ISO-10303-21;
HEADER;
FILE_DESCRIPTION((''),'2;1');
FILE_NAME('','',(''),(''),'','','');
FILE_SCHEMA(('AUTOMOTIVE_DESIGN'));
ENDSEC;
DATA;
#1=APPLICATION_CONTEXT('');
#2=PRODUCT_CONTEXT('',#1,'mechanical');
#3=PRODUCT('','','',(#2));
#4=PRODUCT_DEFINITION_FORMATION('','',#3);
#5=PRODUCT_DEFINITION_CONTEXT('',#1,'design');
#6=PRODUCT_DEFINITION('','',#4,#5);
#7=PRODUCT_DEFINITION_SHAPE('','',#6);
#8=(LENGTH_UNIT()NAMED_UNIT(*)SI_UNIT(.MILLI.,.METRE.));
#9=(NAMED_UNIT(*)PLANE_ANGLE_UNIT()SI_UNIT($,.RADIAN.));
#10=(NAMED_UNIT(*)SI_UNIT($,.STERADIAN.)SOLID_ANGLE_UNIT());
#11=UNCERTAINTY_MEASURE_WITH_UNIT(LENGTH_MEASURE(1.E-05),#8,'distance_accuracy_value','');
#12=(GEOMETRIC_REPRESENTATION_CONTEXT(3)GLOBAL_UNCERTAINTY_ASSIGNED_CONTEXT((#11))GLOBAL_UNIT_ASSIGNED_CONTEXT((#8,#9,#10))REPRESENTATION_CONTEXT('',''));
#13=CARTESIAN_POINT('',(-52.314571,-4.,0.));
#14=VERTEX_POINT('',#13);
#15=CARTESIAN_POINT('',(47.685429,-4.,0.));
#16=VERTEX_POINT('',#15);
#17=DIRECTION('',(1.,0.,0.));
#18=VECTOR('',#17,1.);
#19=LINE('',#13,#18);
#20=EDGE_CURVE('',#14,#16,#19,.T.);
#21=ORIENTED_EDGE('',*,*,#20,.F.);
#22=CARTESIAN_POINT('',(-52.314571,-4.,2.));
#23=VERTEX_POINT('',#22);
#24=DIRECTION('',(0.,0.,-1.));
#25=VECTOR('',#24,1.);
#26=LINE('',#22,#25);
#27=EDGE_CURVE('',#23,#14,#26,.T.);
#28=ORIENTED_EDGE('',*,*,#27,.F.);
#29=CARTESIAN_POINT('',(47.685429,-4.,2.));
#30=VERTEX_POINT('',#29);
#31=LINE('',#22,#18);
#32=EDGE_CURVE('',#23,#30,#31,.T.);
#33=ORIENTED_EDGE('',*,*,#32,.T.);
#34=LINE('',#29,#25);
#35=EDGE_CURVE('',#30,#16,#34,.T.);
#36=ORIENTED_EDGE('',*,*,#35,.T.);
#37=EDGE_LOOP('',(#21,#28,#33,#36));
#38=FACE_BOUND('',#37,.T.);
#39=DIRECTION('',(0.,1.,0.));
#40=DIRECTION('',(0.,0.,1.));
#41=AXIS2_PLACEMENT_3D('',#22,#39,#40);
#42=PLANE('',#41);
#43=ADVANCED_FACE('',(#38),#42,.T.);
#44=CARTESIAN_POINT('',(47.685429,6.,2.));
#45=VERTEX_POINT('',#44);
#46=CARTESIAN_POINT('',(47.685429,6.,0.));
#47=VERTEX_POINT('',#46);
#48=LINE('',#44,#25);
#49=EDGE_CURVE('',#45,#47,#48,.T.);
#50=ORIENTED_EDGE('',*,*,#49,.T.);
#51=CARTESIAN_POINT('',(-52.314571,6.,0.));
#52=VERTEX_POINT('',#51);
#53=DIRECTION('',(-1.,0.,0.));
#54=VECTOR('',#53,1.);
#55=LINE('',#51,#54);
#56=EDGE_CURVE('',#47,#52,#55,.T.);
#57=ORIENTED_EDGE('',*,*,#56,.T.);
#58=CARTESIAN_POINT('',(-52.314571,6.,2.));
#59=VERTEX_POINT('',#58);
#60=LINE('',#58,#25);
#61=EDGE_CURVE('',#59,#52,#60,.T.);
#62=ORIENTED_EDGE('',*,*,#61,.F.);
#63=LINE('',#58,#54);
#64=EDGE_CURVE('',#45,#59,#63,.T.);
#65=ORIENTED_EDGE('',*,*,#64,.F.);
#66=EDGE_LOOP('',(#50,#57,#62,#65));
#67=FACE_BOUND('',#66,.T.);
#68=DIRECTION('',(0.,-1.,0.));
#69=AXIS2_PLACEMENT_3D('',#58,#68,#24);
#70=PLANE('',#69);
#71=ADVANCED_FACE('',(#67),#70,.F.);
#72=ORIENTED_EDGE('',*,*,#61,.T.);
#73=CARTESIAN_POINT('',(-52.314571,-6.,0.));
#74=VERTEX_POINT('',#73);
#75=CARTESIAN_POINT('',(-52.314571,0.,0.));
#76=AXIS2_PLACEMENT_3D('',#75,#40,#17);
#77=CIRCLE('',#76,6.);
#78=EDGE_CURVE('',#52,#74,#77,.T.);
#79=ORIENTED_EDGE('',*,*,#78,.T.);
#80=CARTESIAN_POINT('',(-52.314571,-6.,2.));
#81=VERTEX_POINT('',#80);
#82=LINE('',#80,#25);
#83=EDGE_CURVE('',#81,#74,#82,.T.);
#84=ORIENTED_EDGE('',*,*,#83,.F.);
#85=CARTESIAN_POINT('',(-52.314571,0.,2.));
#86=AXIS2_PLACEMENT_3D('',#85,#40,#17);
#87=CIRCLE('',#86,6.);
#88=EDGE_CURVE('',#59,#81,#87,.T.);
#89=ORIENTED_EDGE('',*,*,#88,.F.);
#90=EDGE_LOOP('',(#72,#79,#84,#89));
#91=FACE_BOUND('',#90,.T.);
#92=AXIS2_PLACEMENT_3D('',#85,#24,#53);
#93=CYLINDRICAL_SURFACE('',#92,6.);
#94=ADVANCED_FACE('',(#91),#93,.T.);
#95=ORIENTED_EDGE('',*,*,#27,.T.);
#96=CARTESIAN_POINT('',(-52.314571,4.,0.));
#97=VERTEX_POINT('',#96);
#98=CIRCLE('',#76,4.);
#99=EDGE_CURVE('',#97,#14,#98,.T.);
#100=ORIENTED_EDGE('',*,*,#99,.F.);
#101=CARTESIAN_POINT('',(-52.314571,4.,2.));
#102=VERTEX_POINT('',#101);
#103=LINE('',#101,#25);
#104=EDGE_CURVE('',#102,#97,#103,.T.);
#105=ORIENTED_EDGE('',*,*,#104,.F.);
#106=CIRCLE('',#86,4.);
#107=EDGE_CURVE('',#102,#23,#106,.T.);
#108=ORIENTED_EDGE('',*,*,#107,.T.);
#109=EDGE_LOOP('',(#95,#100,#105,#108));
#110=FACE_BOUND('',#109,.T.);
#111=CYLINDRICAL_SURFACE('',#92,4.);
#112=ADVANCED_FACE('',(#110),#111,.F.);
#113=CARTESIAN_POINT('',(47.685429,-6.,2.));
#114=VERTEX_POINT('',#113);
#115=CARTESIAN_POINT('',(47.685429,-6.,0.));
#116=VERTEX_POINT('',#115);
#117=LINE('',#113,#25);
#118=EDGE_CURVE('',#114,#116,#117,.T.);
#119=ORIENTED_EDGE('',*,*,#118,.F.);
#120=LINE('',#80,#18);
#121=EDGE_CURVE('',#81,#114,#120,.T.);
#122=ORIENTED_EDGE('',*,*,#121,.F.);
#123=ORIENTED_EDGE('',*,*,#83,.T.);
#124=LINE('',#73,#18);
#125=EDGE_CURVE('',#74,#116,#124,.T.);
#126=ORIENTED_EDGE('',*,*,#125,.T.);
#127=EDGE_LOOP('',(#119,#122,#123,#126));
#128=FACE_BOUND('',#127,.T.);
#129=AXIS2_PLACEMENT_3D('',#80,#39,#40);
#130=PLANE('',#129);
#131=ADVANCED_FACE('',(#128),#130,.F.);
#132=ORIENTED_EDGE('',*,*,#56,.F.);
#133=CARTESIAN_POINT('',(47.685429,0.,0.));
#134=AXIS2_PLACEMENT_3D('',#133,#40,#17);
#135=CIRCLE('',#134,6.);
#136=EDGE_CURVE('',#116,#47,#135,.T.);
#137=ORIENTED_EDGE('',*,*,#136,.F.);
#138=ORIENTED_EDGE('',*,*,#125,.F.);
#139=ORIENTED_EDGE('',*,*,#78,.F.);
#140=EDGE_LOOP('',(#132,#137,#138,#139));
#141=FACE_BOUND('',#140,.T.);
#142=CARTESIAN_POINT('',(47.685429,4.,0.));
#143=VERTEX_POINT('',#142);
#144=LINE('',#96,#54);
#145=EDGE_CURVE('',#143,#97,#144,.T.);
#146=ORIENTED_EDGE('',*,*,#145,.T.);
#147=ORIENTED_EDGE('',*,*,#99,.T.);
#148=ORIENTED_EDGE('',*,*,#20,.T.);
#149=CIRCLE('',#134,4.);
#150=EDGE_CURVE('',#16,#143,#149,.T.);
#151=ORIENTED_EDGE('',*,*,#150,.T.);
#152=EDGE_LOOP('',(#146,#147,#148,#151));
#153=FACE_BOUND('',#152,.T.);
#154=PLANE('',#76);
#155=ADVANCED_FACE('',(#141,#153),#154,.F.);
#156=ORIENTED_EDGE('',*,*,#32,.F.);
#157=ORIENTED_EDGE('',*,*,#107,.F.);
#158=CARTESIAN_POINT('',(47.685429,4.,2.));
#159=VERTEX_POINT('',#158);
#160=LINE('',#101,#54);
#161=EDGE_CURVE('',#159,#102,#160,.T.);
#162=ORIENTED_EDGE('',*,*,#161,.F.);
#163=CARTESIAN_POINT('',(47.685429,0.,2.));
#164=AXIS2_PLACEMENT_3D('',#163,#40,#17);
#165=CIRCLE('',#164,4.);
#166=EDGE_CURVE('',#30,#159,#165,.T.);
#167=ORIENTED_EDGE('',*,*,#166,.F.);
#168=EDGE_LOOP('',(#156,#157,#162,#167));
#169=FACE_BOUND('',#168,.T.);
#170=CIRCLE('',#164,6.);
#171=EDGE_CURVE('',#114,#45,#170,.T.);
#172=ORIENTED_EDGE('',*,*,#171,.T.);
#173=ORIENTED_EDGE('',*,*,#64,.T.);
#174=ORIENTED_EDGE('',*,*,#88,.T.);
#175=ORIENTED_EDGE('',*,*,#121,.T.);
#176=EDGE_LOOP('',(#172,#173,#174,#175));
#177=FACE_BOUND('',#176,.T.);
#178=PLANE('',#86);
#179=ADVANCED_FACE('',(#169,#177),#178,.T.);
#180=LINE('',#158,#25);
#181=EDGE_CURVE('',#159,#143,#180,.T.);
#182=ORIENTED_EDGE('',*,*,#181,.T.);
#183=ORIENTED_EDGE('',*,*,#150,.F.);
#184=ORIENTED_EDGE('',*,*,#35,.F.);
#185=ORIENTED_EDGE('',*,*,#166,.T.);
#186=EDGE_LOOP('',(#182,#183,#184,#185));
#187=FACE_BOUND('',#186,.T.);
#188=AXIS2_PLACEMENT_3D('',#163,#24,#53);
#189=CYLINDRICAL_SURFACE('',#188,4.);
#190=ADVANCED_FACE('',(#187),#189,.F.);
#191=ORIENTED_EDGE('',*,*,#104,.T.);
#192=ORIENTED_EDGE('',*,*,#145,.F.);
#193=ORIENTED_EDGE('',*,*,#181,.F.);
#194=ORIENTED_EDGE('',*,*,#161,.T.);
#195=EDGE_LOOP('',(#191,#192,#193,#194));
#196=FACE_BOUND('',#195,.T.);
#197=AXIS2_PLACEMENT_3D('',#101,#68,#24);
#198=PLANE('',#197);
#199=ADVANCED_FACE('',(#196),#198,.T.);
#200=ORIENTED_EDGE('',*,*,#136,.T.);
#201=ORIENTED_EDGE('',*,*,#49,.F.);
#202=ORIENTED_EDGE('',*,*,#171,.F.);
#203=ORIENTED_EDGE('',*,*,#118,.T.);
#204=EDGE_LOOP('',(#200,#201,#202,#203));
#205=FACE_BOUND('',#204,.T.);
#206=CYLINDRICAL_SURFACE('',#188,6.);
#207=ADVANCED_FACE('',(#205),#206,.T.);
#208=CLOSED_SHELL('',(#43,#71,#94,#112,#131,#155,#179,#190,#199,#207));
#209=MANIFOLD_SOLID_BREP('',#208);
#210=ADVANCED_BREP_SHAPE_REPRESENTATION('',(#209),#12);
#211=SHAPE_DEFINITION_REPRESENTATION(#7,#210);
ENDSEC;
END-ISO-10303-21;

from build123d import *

# Parameters (mm, degrees)
EXTRUDE_1_DEPTH = 2


with BuildPart() as part:
    # 草图1 → 凸台-拉伸1 (new body)
    with BuildSketch(Plane.XY):
        with BuildLine():
            Line((-52.314570525, -6), (47.685429475, -6))
            ThreePointArc((47.685429475, -6), (53.685429475, 0), (47.685429475, 6))
            Line((47.685429475, 6), (-52.314570525, 6))
            ThreePointArc((-52.314570525, 6), (-58.314570525, 0), (-52.314570525, -6))
        make_face()
        with BuildLine():
            Line((-52.314570525, -4), (47.685429475, -4))
            ThreePointArc((47.685429475, -4), (51.685429475, 0), (47.685429475, 4))
            Line((47.685429475, 4), (-52.314570525, 4))
            ThreePointArc((-52.314570525, 4), (-56.314570525, 0), (-52.314570525, -4))
        make_face(mode=Mode.SUBTRACT)
    extrude(amount=EXTRUDE_1_DEPTH)


solid = part.part
